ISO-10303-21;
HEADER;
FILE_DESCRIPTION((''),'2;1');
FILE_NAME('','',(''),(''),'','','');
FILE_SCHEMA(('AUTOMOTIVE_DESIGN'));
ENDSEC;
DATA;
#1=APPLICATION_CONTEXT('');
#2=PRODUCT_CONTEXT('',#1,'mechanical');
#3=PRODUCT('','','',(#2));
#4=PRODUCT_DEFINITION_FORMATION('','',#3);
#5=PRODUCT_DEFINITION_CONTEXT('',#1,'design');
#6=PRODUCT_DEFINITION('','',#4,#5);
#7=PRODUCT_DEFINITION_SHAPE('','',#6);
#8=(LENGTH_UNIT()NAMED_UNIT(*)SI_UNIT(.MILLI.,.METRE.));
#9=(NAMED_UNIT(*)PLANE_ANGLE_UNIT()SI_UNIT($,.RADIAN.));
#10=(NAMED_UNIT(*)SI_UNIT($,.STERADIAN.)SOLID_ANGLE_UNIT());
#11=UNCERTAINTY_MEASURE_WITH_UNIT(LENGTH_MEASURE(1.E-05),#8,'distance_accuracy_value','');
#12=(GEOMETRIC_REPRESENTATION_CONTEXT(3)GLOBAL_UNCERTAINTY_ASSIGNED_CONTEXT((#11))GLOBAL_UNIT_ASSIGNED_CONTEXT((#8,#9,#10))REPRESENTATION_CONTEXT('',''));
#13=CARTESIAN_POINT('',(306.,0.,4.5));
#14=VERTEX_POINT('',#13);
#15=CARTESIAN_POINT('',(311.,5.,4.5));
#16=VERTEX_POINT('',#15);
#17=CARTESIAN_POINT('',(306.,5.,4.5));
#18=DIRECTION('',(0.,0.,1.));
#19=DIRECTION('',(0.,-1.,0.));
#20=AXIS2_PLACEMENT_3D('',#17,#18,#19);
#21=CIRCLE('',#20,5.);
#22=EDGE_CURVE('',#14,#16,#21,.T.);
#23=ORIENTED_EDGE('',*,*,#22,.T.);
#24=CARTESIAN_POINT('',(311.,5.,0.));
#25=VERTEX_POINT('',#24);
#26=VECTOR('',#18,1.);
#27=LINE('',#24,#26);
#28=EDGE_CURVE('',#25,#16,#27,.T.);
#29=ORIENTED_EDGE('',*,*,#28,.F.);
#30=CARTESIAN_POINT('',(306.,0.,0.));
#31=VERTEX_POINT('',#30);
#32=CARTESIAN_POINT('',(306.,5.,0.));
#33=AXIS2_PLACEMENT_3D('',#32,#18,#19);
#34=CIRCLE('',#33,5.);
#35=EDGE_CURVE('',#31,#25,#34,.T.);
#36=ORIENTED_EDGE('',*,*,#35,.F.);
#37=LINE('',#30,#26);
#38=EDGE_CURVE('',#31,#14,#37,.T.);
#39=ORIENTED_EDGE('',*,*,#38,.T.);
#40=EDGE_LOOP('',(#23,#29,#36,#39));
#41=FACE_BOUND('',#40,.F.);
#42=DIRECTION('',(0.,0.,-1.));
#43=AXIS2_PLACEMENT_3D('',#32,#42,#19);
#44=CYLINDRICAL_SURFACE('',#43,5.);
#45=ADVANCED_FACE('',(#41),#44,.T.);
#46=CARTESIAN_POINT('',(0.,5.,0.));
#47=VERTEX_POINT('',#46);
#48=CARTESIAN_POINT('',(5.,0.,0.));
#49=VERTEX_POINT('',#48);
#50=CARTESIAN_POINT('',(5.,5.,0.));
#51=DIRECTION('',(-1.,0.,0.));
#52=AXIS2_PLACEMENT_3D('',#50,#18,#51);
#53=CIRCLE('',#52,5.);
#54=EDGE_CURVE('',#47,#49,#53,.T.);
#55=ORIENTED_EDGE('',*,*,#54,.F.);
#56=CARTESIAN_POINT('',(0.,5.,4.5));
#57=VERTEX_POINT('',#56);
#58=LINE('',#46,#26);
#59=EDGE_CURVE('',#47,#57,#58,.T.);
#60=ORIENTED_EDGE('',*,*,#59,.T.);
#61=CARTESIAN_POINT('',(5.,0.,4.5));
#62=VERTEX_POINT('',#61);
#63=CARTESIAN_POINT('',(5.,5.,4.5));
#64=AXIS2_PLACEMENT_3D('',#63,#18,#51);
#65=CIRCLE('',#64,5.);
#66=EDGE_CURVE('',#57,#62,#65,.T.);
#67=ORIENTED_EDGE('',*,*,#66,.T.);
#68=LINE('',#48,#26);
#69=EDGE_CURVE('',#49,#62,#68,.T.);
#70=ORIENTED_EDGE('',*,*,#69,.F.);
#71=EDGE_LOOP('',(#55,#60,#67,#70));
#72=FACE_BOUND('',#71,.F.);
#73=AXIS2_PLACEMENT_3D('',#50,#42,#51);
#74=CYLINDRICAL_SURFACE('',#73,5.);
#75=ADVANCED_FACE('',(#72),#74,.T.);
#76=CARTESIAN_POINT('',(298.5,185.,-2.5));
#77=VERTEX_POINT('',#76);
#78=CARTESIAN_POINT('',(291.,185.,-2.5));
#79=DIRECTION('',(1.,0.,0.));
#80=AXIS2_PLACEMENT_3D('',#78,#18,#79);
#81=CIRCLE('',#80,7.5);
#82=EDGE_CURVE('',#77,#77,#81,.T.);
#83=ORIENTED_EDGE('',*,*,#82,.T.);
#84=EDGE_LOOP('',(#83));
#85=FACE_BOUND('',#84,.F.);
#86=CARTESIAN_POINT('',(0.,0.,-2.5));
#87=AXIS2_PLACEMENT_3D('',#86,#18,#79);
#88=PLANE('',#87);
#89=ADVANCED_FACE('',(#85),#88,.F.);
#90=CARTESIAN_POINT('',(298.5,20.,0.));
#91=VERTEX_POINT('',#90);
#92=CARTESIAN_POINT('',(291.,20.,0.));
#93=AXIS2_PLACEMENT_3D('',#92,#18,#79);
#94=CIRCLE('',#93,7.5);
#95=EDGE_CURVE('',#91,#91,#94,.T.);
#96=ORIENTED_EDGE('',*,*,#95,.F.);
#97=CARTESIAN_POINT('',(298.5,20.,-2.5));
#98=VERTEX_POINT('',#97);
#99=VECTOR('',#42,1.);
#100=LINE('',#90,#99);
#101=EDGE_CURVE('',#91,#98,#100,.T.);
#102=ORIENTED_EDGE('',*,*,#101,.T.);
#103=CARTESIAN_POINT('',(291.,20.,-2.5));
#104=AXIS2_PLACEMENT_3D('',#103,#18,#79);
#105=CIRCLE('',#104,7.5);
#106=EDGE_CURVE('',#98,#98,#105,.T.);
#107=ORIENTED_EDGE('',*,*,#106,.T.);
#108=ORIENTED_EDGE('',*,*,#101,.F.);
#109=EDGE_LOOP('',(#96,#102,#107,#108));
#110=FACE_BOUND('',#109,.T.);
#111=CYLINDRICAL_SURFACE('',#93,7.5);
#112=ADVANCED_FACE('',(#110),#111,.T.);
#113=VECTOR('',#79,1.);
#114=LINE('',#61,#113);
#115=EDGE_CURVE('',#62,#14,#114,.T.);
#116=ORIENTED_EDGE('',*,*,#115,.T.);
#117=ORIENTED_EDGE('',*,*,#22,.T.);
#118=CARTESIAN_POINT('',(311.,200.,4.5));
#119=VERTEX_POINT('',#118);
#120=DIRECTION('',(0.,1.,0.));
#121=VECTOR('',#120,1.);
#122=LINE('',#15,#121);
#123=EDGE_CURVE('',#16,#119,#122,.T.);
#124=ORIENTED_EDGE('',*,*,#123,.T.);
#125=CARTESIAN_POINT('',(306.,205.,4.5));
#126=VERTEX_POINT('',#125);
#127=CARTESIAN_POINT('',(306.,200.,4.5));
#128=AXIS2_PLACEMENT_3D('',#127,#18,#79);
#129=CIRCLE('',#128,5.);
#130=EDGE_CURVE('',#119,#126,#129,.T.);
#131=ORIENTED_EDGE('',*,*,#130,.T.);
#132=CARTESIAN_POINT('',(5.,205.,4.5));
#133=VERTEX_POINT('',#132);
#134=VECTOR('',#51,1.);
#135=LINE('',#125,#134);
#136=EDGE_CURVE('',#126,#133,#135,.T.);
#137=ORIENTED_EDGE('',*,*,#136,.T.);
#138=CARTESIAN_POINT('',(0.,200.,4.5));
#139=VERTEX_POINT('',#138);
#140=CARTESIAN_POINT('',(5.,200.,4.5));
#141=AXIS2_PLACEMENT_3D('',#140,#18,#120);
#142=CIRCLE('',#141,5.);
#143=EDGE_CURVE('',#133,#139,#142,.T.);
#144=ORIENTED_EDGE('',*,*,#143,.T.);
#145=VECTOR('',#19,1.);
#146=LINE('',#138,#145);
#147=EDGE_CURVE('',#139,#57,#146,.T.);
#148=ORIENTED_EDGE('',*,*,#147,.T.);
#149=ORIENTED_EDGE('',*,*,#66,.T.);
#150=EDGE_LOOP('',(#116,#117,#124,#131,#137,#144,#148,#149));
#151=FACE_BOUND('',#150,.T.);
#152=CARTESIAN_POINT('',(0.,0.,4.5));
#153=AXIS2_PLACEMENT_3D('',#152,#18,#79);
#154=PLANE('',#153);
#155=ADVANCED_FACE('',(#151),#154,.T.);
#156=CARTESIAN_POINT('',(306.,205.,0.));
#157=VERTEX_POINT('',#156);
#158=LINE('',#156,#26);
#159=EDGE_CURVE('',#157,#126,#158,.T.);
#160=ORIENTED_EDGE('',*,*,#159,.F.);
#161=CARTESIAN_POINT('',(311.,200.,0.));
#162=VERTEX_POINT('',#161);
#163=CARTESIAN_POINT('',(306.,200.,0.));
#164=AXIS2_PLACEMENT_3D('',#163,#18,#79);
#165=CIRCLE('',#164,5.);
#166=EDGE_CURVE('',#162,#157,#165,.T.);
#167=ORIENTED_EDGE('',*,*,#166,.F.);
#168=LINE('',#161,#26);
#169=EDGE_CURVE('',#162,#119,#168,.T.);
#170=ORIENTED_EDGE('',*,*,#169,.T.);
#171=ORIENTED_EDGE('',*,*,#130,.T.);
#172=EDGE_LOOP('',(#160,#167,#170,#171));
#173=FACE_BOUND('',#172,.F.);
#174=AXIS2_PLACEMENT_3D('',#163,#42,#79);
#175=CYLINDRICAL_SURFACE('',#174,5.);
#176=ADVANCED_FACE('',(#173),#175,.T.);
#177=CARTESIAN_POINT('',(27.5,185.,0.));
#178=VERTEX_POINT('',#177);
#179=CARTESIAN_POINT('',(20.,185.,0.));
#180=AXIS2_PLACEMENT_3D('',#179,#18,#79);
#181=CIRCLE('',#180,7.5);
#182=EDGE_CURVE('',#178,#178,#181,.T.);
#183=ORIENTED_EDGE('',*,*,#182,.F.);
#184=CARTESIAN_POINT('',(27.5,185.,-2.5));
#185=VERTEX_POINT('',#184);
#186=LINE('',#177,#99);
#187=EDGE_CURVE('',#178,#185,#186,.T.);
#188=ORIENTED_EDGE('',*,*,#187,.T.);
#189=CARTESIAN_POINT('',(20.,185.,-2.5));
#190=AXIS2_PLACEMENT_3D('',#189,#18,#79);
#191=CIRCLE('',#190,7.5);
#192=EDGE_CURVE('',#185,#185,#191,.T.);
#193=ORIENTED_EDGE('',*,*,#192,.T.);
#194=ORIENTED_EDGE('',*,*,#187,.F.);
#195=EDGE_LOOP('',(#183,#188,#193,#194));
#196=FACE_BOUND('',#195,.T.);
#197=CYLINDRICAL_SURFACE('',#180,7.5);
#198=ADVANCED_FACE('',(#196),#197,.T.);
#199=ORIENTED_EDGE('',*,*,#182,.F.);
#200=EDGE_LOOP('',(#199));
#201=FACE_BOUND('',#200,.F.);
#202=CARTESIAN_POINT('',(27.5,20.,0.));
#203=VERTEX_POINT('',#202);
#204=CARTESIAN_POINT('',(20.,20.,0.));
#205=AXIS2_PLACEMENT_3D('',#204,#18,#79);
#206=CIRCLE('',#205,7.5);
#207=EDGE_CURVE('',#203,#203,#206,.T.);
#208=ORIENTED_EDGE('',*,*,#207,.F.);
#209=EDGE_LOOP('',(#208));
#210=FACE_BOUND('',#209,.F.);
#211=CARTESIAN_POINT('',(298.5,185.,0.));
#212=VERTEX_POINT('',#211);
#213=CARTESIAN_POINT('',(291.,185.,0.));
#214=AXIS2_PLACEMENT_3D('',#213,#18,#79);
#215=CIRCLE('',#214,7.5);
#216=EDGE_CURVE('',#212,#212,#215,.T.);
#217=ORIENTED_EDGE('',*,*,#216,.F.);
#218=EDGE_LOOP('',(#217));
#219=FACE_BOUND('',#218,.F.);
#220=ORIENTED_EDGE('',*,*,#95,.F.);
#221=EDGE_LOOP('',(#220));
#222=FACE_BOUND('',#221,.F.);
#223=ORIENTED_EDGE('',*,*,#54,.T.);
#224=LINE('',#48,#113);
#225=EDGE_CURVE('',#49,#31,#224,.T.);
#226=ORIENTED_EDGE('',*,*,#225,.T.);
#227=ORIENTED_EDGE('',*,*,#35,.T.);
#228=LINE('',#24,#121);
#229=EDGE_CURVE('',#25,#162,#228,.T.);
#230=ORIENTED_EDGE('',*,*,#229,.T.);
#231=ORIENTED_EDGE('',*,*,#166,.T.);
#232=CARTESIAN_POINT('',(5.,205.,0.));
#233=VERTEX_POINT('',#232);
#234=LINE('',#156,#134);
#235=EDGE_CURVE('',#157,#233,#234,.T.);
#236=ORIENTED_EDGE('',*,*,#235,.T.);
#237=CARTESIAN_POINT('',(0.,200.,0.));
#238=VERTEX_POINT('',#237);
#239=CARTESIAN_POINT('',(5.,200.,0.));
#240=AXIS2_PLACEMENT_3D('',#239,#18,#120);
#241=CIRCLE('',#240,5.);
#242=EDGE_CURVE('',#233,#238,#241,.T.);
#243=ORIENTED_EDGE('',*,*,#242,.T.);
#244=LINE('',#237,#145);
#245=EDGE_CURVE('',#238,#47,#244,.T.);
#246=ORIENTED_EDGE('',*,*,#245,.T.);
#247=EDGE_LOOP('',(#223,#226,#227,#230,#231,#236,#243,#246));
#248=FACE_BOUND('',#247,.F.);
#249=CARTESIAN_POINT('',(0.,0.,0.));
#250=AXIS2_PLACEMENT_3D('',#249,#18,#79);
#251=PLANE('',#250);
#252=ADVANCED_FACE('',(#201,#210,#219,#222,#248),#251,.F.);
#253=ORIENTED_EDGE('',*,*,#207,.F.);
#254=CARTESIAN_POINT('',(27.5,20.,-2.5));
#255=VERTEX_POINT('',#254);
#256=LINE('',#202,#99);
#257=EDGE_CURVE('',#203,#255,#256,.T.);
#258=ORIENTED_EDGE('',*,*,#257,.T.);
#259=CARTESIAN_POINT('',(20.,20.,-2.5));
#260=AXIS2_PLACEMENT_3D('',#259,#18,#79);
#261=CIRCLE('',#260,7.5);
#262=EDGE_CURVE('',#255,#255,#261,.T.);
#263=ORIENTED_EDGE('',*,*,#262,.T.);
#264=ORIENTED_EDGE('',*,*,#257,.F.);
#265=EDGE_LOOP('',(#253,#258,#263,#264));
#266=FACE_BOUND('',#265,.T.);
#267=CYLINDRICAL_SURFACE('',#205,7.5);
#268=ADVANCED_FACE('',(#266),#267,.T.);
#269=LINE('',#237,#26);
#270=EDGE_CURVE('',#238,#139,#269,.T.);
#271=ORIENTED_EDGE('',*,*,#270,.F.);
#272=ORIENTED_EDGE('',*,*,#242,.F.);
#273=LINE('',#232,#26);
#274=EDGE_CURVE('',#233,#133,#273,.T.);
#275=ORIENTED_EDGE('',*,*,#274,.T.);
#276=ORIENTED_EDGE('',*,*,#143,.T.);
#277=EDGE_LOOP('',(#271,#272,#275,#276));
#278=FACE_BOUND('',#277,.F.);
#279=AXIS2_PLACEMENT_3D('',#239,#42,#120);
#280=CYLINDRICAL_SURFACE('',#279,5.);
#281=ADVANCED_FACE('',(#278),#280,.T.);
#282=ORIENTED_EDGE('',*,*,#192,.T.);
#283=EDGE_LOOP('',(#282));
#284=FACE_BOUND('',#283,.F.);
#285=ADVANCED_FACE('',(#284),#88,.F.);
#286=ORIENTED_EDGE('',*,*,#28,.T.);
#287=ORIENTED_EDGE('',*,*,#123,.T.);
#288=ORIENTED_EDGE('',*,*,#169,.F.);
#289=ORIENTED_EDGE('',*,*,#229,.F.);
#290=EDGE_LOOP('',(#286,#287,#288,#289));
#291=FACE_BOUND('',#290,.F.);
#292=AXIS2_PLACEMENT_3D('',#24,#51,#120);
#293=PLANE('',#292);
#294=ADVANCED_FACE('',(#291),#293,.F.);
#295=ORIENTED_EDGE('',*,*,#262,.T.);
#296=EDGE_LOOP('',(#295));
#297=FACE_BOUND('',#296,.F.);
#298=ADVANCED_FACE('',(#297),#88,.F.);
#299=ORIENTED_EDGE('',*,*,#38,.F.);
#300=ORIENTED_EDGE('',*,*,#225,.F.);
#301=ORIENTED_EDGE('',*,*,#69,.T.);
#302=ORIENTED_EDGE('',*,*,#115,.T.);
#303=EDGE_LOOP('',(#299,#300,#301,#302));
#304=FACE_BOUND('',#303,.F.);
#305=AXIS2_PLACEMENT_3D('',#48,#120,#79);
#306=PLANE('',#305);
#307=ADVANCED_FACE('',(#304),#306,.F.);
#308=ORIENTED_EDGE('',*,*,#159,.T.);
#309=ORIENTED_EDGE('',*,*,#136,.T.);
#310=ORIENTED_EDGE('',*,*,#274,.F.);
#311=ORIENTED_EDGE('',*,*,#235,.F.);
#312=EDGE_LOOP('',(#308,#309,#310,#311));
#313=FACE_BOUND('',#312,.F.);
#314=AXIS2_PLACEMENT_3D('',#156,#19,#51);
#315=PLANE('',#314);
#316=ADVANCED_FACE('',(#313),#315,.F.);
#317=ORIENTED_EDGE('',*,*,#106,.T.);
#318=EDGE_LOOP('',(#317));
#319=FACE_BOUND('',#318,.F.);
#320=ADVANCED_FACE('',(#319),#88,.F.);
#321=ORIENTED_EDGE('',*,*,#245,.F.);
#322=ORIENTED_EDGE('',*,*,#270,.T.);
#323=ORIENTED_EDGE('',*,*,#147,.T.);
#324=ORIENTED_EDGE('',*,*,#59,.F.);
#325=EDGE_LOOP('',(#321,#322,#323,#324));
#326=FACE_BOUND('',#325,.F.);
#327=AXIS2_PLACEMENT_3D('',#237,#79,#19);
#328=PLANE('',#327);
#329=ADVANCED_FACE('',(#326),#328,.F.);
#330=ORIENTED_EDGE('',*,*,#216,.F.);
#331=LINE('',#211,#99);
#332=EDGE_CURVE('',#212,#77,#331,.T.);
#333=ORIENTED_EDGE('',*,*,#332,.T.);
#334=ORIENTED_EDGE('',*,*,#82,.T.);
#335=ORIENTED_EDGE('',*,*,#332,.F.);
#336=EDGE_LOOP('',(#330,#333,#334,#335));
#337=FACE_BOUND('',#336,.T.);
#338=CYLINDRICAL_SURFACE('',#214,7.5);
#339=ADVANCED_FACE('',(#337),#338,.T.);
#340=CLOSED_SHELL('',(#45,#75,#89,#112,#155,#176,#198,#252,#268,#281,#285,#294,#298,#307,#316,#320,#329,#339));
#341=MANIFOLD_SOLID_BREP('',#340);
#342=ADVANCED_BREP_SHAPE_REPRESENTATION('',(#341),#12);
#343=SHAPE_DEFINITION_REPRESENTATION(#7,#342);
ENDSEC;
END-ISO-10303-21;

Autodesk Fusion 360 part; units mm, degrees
sketch "Sketch1" plane through (0, 0, 0) normal (0, 0, 1) x (1, 0, 0)
  line L0 (5, 0) -> (306, 0)
  line L1 (311, 5) -> (311, 200)
  line L2 (306, 205) -> (5, 205)
  line L3 (0, 200) -> (0, 5)
  arc A0 (5, 205) -> (0, 200) centre (5, 200) ccw
  arc A1 (311, 200) -> (306, 205) centre (306, 200) ccw
  arc A2 (0, 5) -> (5, 0) centre (5, 5) ccw
  arc A3 (306, 0) -> (311, 5) centre (306, 5) ccw
  dimension "d1" = 311
  dimension "d2" = 205
  dimension "d3" = 5
  dimension "d4" = 5
  dimension "d5" = 5
  dimension "d6" = 5
extrude "Extrude1" add sketch "Sketch1" along normal blind 4.5
sketch "Sketch2" plane through (0, 0, 0) normal (0, 0, 1) x (1, 0, 0)
  circle A0 centre (20, 20) radius 7.5
  line L0 (0, 200) -> (0, 5)
  line L1 (5, 0) -> (306, 0)
  circle A1 centre (291, 20) radius 7.5
  line L2 (311, 5) -> (311, 200)
  circle A2 centre (20, 185) radius 7.5
  line L3 (306, 205) -> (5, 205)
  circle A3 centre (291, 185) radius 7.5
  dimension "d9" = 15
  dimension "d10" = 20
  dimension "d11" = 20
  dimension "d12" = 15
  dimension "d13" = 20
  dimension "d14" = 20
  dimension "d15" = 15
  dimension "d16" = 20
  dimension "d17" = 20
  dimension "d18" = 15
  dimension "d19" = 20
  dimension "d20" = 20
extrude "Extrude2" add sketch "Sketch2" against normal blind 2.5
